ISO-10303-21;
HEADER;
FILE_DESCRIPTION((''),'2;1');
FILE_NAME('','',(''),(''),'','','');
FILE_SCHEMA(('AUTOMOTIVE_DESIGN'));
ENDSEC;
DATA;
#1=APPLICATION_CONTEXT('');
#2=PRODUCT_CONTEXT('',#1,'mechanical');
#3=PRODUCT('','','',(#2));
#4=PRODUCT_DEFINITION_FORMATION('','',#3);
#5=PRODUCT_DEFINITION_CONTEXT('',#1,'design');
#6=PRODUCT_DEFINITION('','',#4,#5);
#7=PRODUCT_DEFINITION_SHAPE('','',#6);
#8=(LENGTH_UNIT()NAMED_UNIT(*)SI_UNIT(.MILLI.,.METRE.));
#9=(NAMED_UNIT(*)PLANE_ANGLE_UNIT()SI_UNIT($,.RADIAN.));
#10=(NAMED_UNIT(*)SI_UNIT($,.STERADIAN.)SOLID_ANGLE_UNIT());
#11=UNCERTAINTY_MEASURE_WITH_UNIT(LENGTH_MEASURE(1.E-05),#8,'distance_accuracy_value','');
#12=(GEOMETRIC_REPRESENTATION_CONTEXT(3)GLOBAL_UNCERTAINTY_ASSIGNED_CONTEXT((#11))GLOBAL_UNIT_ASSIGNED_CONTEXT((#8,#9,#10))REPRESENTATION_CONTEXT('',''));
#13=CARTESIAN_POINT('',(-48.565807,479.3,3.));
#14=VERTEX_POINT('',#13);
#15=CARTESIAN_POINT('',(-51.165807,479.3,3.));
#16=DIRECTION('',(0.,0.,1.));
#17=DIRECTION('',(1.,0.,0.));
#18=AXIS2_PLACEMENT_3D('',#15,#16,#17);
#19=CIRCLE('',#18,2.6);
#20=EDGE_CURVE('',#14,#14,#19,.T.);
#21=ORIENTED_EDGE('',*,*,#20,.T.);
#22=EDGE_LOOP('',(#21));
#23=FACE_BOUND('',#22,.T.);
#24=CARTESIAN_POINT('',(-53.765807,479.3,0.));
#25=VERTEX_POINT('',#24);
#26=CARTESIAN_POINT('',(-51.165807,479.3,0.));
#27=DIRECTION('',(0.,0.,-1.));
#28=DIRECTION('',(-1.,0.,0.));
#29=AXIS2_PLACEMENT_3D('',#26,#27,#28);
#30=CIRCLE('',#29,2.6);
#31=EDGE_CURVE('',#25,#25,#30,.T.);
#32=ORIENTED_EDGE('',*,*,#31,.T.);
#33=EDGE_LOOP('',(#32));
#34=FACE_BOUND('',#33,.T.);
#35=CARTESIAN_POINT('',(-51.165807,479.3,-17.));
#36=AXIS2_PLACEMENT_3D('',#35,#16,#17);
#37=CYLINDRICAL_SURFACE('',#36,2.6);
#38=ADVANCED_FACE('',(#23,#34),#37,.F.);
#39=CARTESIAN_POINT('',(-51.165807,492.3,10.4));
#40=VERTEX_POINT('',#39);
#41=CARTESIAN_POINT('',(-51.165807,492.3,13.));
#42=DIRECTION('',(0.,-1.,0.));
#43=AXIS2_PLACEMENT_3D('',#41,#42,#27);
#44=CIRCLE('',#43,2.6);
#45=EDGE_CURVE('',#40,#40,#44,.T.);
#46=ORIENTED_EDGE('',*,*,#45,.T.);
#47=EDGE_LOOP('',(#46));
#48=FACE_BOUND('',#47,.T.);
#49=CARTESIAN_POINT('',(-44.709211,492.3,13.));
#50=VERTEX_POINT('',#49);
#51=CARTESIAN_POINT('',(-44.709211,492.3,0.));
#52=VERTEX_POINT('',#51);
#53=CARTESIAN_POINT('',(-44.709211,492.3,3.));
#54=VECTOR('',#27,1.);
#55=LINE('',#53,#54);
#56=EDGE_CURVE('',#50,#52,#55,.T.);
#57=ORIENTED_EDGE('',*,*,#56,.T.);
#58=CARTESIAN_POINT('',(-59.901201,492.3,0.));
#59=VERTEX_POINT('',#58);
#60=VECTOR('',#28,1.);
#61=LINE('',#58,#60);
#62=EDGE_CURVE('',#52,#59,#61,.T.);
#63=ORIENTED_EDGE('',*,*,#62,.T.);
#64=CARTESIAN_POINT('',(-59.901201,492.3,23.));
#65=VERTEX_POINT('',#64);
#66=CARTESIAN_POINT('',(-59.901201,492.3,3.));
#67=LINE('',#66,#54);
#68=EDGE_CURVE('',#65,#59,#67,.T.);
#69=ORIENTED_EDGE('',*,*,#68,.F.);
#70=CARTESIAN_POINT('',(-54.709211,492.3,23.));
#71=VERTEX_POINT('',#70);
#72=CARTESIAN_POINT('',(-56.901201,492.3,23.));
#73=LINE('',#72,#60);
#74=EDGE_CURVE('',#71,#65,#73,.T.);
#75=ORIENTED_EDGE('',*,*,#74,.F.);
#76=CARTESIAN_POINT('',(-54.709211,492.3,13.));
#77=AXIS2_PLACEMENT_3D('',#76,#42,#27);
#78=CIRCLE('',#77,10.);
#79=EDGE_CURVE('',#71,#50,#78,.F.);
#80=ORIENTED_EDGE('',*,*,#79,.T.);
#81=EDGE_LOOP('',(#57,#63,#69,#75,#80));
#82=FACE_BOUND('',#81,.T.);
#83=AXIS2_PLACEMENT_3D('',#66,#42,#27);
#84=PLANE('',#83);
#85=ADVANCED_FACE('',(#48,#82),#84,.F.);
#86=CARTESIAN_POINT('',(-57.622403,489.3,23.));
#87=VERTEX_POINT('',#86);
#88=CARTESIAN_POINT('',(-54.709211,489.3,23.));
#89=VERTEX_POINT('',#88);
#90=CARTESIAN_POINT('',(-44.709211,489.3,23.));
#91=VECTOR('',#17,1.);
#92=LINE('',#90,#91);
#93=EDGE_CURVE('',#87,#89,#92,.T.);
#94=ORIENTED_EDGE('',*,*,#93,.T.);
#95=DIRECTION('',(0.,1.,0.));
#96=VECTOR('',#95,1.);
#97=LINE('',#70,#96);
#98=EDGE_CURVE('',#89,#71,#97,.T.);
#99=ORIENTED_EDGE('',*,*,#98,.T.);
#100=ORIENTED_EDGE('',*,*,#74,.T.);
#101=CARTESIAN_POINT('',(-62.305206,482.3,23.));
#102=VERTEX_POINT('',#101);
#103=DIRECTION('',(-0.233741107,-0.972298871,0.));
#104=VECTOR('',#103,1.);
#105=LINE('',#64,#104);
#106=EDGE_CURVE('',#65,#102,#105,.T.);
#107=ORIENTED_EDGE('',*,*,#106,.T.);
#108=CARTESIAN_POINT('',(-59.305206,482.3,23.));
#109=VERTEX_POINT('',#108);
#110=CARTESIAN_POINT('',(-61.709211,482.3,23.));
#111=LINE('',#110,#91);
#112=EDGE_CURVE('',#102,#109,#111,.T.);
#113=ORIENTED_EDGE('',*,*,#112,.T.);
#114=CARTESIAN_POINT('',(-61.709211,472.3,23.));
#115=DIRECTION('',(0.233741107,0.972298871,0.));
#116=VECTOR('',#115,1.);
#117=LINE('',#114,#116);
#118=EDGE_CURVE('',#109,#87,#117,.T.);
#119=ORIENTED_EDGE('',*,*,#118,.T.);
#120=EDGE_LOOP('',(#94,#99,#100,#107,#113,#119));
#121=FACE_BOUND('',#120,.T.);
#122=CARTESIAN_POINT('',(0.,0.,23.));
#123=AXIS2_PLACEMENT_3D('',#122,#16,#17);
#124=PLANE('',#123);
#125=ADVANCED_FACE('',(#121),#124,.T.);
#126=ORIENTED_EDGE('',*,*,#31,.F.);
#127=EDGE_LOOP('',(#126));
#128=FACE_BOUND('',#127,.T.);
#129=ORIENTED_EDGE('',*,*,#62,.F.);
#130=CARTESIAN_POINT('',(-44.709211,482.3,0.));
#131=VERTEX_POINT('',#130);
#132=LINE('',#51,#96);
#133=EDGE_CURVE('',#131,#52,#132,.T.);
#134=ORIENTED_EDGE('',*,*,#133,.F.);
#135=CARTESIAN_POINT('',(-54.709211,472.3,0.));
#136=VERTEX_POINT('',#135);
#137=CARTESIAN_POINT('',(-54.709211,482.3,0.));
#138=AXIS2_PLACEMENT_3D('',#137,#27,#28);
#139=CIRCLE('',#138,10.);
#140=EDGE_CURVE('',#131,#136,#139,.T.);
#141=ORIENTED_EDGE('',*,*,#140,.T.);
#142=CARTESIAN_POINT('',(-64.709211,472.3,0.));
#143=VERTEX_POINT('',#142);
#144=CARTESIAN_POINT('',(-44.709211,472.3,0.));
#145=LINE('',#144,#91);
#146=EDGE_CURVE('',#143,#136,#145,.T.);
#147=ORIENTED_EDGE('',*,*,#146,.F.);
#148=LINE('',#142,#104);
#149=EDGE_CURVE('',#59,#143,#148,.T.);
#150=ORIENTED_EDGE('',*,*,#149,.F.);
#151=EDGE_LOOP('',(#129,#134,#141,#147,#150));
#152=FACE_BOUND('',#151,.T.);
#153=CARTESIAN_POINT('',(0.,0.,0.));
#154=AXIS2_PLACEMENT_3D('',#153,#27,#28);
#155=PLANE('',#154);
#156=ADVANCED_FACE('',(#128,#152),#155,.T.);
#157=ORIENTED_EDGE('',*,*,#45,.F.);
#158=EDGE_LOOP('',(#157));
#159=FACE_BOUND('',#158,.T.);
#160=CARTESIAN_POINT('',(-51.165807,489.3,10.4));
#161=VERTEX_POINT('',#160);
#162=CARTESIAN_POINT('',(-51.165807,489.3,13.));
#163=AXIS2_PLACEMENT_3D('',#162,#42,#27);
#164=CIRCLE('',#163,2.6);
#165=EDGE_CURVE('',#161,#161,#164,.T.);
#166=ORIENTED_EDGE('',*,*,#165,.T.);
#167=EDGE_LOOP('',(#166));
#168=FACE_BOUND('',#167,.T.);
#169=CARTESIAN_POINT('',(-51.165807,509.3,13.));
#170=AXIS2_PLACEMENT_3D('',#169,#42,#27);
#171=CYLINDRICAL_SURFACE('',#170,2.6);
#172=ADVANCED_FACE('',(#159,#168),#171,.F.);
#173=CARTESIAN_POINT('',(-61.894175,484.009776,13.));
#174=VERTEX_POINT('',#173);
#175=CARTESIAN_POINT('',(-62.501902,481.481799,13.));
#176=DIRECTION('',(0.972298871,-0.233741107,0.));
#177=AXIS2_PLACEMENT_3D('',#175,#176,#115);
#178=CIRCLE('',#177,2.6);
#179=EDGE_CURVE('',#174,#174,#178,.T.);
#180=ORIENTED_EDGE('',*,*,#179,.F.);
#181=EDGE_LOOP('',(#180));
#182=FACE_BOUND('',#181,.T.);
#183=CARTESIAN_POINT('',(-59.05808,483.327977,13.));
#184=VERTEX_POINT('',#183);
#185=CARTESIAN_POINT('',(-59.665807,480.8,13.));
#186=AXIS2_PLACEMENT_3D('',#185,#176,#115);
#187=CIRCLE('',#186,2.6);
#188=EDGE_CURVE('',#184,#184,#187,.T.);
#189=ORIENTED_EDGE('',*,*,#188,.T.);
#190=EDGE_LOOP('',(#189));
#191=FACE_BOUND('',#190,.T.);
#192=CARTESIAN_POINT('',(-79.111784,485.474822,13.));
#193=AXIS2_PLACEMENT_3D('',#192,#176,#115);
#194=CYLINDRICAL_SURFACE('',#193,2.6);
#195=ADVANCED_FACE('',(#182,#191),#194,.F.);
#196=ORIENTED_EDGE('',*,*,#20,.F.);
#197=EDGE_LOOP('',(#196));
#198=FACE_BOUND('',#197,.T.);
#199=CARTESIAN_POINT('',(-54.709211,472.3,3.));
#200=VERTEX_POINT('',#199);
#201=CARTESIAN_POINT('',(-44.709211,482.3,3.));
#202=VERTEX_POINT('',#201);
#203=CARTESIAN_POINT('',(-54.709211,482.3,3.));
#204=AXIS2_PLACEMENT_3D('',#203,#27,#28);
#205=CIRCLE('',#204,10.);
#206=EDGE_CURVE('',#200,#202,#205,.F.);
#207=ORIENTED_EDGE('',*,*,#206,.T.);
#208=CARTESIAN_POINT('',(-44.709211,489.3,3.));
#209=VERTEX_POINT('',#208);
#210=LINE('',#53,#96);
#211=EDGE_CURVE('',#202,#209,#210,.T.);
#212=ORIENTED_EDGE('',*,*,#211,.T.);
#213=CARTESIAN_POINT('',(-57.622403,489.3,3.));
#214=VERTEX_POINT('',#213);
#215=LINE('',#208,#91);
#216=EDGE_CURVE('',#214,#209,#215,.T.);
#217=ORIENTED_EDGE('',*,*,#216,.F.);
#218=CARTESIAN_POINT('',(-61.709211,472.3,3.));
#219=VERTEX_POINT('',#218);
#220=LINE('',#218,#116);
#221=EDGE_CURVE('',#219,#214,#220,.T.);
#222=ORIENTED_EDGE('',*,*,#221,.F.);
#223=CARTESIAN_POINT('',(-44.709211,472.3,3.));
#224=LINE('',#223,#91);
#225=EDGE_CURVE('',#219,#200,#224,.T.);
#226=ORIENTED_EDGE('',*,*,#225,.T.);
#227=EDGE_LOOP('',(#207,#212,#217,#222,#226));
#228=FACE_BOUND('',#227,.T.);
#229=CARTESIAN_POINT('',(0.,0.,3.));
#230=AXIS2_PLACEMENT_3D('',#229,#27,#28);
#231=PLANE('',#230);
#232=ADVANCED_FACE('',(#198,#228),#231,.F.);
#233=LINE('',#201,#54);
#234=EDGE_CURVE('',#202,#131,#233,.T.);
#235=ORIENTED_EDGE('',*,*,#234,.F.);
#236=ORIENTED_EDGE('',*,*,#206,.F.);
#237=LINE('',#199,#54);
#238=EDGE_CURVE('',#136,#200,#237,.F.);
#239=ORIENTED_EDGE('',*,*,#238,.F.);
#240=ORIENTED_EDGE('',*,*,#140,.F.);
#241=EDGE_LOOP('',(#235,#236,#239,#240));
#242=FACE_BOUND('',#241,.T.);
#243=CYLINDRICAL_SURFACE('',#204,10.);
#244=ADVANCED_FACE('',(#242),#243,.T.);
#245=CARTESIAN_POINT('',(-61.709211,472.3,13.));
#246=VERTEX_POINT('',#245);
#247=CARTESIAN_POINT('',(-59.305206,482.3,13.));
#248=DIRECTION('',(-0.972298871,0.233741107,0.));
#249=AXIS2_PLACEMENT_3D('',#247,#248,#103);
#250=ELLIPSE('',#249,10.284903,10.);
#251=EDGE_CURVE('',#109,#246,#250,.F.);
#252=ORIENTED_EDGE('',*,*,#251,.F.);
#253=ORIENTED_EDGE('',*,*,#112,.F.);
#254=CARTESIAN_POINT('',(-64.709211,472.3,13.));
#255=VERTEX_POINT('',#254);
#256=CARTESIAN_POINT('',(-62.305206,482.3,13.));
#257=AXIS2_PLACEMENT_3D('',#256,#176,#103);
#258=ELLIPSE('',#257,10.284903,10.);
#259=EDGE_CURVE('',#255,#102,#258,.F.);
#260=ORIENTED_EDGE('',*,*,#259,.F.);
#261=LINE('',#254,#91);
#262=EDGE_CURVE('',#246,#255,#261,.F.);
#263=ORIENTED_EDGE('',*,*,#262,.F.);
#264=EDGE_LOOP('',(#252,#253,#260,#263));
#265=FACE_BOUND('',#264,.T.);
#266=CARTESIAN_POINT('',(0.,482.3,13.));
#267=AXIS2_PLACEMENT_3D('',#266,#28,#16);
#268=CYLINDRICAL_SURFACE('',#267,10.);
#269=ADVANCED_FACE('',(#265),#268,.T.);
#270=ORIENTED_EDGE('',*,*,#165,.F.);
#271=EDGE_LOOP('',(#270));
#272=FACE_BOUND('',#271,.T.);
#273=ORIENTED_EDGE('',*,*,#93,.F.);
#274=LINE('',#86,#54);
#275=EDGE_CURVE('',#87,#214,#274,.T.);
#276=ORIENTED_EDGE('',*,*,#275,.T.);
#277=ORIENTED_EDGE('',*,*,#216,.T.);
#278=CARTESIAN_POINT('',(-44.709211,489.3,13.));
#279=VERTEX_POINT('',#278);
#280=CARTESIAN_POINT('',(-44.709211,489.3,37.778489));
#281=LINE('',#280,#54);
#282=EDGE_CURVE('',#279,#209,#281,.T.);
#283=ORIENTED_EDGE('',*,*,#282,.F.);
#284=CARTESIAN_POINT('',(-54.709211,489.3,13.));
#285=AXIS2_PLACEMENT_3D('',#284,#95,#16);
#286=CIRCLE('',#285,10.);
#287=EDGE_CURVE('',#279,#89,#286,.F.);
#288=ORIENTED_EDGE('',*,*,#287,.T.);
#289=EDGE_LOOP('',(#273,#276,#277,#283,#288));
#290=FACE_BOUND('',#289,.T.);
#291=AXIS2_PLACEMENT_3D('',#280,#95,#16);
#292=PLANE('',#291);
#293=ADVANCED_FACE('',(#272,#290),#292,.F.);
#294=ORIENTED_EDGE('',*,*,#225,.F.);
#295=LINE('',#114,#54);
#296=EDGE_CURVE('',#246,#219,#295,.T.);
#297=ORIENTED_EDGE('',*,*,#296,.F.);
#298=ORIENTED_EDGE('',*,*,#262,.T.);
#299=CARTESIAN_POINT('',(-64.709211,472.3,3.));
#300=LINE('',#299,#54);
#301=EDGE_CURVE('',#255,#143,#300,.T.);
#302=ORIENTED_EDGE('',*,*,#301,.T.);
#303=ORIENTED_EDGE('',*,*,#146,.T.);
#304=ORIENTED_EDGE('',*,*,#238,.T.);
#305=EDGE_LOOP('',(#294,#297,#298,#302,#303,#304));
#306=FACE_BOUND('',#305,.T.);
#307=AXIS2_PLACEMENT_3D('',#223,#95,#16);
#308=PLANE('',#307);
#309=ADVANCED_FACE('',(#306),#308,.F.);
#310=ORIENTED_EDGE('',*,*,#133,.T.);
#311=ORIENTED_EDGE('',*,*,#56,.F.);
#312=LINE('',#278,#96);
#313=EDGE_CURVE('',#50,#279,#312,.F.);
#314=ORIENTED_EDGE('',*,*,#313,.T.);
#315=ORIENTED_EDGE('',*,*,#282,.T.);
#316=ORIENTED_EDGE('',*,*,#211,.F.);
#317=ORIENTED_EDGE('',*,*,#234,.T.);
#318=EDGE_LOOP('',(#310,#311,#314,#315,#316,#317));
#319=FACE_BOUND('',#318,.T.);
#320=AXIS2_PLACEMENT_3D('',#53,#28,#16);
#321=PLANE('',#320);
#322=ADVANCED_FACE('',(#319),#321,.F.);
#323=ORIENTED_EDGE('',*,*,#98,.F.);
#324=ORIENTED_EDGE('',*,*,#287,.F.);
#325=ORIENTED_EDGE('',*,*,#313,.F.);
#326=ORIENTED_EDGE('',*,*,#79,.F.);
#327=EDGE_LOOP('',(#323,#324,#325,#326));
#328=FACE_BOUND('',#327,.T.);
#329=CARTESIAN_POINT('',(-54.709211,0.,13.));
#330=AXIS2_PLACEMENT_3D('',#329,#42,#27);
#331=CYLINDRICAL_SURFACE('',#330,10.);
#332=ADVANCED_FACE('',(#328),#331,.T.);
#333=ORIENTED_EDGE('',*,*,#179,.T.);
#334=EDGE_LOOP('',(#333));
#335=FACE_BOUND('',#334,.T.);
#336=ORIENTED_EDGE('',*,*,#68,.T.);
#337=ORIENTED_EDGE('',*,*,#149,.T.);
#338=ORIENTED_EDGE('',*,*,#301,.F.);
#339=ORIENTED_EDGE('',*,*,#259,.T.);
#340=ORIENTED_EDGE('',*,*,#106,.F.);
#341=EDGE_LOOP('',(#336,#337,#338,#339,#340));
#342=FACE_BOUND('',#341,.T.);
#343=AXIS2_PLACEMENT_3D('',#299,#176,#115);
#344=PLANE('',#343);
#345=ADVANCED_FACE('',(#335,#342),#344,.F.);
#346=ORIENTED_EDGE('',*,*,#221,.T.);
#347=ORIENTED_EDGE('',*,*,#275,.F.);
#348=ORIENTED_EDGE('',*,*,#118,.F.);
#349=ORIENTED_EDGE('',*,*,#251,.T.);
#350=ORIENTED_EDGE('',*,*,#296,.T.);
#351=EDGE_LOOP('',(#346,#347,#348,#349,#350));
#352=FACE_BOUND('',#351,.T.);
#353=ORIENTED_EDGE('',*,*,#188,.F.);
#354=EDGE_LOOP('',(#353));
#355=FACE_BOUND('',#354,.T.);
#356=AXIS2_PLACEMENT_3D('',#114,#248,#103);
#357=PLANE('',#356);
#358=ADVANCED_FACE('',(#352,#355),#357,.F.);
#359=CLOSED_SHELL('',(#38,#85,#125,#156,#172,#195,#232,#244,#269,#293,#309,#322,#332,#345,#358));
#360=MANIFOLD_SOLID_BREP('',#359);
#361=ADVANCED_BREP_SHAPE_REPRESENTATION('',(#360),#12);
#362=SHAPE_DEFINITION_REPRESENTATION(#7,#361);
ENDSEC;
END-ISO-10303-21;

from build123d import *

# Parameters (mm, degrees)
BOSS_EXTRU_1_DEPTH      = 3
BOSS_EXTRU_2_DEPTH      = 20
ESQUISSE4_W             = 14.470789164
ESQUISSE4_H             = 3
BOSS_EXTRU_3_DEPTH      = 20
CONG_1_R                = 10
ESQUISSE5_R             = 2.6
ENL_V_MAT_EXTRU_1_DEPTH = 20
ESQUISSE6_R             = 2.6
ENL_V_MAT_EXTRU_2_DEPTH = 20
ESQUISSE7_R             = 2.6
ENL_V_MAT_EXTRU_3_DEPTH = 20


with BuildPart() as part:
    # Esquisse1 → Boss.-Extru.1 (new body)
    with BuildSketch(Plane.XY):
        Polygon((-44.709210836, 492.3), (-44.709210836, 472.3), (-64.709210836, 472.3), (-59.901201413, 492.3), align=None)
    extrude(amount=BOSS_EXTRU_1_DEPTH)

    # Esquisse3 → Boss.-Extru.2 (add)
    with BuildSketch(Plane.XY.offset(3)):
        Polygon((-59.901201413, 492.3), (-64.709210836, 472.3), (-61.709210836, 472.3), (-56.901201413, 492.3), align=None)
    extrude(amount=BOSS_EXTRU_2_DEPTH)

    # Esquisse4 → Boss.-Extru.3 (add)
    with BuildSketch(Plane.XY.offset(3)):
        with Locations((-51.944605418, 490.8)):
            Rectangle(ESQUISSE4_W, ESQUISSE4_H)
    extrude(amount=BOSS_EXTRU_3_DEPTH)

    # Congé1
    cong_1_edges = [part.edges().sort_by_distance(p)[0] for p in [
        (-63.209210836, 472.3, 23),
        (-44.709210836, 490.8, 23),
        (-44.709210836, 472.3, 1.5),
    ]]
    fillet(cong_1_edges, radius=CONG_1_R)

    # Esquisse5 → Enlèv. mat.-Extru.1 (cut)
    with BuildSketch(Plane.XY.offset(3)):
        with Locations((-51.165806832, 479.3)):
            Circle(ESQUISSE5_R)
    extrude(amount=-ENL_V_MAT_EXTRU_1_DEPTH, mode=Mode.SUBTRACT)

    # Esquisse6 → Enlèv. mat.-Extru.2 (cut)
    with BuildSketch(Plane.XZ.offset(-489.3)):
        with Locations(Location((-51.165806832, 13, 0), (0, 0, 270))):
            Circle(ESQUISSE6_R)
    extrude(amount=-ENL_V_MAT_EXTRU_2_DEPTH, mode=Mode.SUBTRACT)

    # Esquisse7 → Enlèv. mat.-Extru.3 (cut)
    with BuildSketch(Plane(origin=(-165.675566954, 39.828484352, 0), x_dir=(0, 0, -1), z_dir=(0.9722988712431988, -0.23374110673820636, 0))):
        with Locations(Location((-13, 453.53494557, 0), (0, 0, 90))):
            Circle(ESQUISSE7_R)
    extrude(amount=-ENL_V_MAT_EXTRU_3_DEPTH, mode=Mode.SUBTRACT)


solid = part.part
